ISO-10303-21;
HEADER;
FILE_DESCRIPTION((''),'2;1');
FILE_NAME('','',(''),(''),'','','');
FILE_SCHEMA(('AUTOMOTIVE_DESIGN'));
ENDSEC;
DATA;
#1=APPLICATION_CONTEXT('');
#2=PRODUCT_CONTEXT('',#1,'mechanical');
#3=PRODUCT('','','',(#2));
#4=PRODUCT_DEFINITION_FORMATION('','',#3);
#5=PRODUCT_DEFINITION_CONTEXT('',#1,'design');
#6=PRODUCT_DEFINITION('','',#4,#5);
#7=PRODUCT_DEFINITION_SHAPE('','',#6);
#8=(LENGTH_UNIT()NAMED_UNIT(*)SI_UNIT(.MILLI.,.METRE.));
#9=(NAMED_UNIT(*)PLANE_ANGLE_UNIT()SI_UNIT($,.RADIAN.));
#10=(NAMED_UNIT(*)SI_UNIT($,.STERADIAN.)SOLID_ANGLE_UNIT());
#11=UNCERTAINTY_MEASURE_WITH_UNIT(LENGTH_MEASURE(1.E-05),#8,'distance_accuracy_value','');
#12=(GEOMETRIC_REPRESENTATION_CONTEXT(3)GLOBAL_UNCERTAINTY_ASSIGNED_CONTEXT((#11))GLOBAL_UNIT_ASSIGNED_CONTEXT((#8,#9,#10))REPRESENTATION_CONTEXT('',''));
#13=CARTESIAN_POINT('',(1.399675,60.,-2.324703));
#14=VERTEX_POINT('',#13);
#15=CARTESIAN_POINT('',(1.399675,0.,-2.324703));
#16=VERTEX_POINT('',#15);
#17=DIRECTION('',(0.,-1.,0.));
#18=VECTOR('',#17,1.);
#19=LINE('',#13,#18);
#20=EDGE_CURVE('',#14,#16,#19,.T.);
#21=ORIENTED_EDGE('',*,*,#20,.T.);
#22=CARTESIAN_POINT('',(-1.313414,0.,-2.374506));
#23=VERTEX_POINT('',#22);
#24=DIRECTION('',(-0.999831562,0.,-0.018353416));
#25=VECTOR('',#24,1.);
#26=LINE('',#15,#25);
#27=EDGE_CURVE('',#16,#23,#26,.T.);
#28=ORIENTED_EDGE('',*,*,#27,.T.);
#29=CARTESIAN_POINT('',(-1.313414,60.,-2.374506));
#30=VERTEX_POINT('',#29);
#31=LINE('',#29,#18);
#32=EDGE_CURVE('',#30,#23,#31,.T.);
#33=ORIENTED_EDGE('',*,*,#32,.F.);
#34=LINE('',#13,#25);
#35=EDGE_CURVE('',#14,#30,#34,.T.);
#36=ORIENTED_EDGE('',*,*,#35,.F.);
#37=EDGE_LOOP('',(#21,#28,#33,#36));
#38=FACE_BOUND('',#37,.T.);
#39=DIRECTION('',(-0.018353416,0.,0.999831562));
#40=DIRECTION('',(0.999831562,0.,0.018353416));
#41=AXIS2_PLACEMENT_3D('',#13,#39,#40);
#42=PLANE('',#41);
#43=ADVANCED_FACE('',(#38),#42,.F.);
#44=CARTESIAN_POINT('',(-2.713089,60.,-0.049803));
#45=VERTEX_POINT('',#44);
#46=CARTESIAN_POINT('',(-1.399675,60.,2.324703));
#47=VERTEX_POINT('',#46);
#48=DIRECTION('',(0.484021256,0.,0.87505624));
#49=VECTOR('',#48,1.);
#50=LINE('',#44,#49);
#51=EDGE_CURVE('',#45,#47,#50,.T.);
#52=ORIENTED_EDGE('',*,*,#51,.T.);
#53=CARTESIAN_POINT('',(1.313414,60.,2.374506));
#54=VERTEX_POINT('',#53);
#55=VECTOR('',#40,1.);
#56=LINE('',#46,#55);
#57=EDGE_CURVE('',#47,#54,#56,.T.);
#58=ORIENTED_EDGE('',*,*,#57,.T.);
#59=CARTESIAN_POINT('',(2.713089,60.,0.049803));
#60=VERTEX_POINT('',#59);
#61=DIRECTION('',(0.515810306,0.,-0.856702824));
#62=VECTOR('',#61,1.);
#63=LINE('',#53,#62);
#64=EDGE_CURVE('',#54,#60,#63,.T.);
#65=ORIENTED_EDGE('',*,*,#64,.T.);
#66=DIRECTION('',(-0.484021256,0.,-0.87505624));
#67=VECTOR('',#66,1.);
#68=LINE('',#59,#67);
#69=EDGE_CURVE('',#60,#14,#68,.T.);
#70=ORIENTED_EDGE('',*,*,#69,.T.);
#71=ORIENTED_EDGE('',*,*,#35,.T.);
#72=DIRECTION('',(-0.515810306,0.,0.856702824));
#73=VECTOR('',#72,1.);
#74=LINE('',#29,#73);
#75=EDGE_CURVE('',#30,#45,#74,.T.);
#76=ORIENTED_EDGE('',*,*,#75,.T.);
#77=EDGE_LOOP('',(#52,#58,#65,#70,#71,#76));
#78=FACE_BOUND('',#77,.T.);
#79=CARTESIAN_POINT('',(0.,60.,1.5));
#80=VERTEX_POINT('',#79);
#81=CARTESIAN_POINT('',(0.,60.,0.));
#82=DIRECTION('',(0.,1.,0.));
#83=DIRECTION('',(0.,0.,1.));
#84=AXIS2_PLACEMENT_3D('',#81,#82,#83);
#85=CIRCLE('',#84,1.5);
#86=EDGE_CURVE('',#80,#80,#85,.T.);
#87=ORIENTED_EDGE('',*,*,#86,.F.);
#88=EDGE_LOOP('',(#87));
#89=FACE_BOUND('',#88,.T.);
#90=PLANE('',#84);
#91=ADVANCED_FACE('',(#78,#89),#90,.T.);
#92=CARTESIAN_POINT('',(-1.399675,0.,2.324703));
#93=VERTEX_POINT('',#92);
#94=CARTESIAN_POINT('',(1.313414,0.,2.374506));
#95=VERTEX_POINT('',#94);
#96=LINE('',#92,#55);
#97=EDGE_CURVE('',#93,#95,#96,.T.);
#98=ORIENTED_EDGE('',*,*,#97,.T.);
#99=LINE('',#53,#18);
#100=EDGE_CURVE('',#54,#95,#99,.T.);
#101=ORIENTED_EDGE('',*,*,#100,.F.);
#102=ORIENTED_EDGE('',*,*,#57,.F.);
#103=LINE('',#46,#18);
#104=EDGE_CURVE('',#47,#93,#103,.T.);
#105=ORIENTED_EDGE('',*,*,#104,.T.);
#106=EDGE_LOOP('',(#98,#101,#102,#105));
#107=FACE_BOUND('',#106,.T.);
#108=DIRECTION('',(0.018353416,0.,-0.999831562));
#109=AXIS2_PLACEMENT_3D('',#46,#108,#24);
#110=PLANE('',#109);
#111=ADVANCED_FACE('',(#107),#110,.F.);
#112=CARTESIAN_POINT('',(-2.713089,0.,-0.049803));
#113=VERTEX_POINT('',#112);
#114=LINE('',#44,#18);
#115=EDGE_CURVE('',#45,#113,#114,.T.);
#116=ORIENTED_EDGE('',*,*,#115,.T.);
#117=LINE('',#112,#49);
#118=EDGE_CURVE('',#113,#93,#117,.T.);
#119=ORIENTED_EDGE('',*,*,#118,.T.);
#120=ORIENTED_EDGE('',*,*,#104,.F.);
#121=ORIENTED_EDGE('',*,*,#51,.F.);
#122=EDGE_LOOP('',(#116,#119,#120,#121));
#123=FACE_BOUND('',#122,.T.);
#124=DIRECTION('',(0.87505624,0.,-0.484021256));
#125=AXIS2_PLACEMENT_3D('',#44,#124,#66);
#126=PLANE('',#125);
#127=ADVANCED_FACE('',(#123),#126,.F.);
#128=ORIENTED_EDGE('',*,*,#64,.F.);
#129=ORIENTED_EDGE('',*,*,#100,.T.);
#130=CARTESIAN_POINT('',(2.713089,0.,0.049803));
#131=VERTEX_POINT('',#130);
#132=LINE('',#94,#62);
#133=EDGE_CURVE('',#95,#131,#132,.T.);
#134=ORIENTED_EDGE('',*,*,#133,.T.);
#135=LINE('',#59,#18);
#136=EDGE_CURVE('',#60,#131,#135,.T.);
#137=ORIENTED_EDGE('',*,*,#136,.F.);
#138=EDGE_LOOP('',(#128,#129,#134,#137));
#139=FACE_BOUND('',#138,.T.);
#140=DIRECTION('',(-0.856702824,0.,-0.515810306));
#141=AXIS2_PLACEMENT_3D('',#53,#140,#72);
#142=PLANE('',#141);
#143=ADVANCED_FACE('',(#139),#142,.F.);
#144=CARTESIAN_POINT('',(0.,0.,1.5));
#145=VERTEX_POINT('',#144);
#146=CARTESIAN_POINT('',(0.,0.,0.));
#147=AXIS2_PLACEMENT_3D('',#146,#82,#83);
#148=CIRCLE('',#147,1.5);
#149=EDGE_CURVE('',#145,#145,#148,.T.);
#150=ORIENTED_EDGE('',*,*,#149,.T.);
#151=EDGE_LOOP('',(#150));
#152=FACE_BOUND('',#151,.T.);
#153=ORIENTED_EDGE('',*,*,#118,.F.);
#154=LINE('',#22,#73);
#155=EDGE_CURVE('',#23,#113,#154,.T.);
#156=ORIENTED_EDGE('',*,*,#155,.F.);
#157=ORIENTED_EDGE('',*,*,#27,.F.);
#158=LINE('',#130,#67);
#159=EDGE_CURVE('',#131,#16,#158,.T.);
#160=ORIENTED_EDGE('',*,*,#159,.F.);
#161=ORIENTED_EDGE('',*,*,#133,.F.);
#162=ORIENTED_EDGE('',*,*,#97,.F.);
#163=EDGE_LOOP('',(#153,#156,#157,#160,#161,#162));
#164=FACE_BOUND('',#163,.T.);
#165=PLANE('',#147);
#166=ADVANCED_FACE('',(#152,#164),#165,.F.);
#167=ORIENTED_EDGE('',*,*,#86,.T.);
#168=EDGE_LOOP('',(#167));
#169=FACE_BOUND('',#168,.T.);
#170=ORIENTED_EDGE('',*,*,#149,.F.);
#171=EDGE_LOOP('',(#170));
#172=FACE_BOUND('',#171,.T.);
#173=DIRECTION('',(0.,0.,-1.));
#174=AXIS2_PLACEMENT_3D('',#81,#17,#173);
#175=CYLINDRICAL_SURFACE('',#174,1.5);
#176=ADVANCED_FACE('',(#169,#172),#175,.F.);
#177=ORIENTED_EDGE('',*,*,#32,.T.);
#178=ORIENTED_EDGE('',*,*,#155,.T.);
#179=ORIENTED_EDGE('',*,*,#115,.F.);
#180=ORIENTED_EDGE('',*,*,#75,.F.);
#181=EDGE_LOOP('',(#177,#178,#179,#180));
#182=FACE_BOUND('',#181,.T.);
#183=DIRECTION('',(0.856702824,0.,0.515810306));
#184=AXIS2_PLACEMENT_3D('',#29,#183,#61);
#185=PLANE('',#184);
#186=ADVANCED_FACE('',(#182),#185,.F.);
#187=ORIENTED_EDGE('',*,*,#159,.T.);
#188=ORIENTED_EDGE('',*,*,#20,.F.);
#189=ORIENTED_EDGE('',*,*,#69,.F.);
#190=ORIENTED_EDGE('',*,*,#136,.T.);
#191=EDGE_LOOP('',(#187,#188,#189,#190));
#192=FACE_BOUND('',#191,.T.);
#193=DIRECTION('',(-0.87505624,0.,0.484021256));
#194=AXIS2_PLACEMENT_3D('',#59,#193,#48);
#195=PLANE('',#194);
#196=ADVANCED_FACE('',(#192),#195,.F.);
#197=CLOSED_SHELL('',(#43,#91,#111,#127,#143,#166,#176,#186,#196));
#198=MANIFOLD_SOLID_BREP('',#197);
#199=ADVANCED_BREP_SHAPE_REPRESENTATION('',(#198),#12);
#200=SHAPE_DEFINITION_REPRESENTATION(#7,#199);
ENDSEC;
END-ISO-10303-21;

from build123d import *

# Parameters (mm, degrees)
SKETCH1_R           = 1.5
BOSS_EXTRUDE1_DEPTH = 60


with BuildPart() as part:
    # Sketch1 → Boss-Extrude1 (new body)
    with BuildSketch(Plane(origin=(0, 0, 0), x_dir=(1, 0, 0), z_dir=(0, 1, 0))):
        Polygon((-1.313414072, 2.374505593), (-2.713089201, 0.049802845), (-1.399675129, -2.324702748), (1.313414072, -2.374505593), (2.713089201, -0.049802845), (1.399675129, 2.324702748), align=None)
        with Locations(Location((0, 0, 0), (0, 0, 270))):
            Circle(SKETCH1_R, mode=Mode.SUBTRACT)
    extrude(amount=BOSS_EXTRUDE1_DEPTH)


solid = part.part
